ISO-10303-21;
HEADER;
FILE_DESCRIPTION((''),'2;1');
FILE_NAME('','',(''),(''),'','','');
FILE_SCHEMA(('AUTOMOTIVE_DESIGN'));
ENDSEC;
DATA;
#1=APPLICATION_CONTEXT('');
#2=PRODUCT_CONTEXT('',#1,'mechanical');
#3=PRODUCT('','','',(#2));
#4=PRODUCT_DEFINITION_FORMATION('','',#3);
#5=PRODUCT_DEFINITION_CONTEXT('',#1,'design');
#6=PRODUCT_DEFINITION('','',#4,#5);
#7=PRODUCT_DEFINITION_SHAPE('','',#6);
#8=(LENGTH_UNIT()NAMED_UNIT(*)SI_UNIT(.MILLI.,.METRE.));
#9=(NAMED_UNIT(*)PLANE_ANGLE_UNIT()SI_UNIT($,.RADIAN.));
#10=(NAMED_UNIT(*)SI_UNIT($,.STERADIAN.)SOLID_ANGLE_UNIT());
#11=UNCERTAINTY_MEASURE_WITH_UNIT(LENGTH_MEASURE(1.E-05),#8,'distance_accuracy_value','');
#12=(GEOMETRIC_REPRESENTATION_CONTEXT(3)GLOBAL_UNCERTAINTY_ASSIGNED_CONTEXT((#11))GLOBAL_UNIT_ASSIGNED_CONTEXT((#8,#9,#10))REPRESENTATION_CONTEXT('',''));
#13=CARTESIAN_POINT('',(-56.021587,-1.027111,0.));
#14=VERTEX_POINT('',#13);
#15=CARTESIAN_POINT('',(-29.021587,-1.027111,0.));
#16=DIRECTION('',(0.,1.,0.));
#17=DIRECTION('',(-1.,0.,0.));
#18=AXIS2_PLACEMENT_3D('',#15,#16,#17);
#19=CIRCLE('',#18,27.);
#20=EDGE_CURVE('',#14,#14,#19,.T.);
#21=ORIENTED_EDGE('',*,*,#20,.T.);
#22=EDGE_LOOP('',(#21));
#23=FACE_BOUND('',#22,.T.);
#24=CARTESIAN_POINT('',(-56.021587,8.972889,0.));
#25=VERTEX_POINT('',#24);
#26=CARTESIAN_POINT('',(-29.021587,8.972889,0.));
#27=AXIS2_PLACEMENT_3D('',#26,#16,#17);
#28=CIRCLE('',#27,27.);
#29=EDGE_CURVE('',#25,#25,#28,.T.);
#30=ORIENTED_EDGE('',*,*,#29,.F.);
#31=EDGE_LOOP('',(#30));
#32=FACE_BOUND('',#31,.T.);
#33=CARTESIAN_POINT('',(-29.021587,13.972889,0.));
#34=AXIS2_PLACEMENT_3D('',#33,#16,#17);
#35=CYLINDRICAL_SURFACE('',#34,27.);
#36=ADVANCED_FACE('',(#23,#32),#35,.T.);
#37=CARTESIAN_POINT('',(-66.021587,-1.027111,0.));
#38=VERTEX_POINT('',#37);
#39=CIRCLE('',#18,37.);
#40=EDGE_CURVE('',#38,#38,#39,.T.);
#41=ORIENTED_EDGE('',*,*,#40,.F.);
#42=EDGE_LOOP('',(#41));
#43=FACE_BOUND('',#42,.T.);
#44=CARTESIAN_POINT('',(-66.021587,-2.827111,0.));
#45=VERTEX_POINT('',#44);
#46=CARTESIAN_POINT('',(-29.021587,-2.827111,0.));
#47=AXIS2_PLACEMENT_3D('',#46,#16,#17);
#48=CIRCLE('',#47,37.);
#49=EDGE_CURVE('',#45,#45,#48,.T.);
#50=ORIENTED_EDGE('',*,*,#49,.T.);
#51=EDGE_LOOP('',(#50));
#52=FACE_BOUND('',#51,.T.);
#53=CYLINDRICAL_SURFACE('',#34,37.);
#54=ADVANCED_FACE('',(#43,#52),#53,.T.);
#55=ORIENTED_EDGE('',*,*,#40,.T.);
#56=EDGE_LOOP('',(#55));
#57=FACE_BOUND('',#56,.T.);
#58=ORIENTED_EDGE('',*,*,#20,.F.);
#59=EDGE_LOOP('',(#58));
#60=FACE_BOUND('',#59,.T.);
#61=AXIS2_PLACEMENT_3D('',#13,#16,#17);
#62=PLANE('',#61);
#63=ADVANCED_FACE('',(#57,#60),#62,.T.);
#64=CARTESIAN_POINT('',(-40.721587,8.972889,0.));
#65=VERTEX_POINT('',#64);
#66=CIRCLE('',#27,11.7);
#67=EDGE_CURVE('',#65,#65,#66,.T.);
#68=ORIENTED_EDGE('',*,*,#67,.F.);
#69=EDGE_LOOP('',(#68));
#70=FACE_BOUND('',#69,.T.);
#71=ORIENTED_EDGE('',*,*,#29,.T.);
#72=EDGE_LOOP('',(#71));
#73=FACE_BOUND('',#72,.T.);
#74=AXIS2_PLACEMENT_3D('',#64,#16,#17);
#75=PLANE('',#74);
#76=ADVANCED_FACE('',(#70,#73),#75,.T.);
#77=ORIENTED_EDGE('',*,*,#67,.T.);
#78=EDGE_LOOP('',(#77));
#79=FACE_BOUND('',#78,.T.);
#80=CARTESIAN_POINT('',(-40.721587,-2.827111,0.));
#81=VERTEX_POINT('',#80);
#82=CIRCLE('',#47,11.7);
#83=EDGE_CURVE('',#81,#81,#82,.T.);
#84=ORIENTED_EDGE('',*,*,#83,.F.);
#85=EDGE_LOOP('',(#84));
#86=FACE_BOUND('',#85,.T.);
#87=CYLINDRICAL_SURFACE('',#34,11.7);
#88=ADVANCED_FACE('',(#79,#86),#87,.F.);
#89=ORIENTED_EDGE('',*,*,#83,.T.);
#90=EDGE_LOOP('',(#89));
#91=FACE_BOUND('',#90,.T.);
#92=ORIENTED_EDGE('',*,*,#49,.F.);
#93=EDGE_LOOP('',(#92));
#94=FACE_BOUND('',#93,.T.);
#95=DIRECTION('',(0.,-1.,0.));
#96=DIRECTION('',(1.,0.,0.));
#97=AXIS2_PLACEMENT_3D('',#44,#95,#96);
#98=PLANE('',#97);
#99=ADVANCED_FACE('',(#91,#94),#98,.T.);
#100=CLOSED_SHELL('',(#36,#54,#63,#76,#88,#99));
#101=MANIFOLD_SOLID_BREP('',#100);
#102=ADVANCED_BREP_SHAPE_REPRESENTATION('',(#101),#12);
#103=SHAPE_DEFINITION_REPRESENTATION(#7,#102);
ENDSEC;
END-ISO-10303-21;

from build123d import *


with BuildPart() as part:
    # Croquis1 → Revolución1 (revolve)
    with BuildSketch(Plane.XY):
        Polygon((-40.72158728, 8.972889318), (-40.72158728, -2.827110682), (-66.02158728, -2.827110682), (-66.02158728, -1.027110682), (-56.02158728, -1.027110682), (-56.02158728, 8.972889318), align=None)
    revolve(axis=Axis((-29.02158728, 13.972889318, 0), (0, -1, 0)))


solid = part.part
